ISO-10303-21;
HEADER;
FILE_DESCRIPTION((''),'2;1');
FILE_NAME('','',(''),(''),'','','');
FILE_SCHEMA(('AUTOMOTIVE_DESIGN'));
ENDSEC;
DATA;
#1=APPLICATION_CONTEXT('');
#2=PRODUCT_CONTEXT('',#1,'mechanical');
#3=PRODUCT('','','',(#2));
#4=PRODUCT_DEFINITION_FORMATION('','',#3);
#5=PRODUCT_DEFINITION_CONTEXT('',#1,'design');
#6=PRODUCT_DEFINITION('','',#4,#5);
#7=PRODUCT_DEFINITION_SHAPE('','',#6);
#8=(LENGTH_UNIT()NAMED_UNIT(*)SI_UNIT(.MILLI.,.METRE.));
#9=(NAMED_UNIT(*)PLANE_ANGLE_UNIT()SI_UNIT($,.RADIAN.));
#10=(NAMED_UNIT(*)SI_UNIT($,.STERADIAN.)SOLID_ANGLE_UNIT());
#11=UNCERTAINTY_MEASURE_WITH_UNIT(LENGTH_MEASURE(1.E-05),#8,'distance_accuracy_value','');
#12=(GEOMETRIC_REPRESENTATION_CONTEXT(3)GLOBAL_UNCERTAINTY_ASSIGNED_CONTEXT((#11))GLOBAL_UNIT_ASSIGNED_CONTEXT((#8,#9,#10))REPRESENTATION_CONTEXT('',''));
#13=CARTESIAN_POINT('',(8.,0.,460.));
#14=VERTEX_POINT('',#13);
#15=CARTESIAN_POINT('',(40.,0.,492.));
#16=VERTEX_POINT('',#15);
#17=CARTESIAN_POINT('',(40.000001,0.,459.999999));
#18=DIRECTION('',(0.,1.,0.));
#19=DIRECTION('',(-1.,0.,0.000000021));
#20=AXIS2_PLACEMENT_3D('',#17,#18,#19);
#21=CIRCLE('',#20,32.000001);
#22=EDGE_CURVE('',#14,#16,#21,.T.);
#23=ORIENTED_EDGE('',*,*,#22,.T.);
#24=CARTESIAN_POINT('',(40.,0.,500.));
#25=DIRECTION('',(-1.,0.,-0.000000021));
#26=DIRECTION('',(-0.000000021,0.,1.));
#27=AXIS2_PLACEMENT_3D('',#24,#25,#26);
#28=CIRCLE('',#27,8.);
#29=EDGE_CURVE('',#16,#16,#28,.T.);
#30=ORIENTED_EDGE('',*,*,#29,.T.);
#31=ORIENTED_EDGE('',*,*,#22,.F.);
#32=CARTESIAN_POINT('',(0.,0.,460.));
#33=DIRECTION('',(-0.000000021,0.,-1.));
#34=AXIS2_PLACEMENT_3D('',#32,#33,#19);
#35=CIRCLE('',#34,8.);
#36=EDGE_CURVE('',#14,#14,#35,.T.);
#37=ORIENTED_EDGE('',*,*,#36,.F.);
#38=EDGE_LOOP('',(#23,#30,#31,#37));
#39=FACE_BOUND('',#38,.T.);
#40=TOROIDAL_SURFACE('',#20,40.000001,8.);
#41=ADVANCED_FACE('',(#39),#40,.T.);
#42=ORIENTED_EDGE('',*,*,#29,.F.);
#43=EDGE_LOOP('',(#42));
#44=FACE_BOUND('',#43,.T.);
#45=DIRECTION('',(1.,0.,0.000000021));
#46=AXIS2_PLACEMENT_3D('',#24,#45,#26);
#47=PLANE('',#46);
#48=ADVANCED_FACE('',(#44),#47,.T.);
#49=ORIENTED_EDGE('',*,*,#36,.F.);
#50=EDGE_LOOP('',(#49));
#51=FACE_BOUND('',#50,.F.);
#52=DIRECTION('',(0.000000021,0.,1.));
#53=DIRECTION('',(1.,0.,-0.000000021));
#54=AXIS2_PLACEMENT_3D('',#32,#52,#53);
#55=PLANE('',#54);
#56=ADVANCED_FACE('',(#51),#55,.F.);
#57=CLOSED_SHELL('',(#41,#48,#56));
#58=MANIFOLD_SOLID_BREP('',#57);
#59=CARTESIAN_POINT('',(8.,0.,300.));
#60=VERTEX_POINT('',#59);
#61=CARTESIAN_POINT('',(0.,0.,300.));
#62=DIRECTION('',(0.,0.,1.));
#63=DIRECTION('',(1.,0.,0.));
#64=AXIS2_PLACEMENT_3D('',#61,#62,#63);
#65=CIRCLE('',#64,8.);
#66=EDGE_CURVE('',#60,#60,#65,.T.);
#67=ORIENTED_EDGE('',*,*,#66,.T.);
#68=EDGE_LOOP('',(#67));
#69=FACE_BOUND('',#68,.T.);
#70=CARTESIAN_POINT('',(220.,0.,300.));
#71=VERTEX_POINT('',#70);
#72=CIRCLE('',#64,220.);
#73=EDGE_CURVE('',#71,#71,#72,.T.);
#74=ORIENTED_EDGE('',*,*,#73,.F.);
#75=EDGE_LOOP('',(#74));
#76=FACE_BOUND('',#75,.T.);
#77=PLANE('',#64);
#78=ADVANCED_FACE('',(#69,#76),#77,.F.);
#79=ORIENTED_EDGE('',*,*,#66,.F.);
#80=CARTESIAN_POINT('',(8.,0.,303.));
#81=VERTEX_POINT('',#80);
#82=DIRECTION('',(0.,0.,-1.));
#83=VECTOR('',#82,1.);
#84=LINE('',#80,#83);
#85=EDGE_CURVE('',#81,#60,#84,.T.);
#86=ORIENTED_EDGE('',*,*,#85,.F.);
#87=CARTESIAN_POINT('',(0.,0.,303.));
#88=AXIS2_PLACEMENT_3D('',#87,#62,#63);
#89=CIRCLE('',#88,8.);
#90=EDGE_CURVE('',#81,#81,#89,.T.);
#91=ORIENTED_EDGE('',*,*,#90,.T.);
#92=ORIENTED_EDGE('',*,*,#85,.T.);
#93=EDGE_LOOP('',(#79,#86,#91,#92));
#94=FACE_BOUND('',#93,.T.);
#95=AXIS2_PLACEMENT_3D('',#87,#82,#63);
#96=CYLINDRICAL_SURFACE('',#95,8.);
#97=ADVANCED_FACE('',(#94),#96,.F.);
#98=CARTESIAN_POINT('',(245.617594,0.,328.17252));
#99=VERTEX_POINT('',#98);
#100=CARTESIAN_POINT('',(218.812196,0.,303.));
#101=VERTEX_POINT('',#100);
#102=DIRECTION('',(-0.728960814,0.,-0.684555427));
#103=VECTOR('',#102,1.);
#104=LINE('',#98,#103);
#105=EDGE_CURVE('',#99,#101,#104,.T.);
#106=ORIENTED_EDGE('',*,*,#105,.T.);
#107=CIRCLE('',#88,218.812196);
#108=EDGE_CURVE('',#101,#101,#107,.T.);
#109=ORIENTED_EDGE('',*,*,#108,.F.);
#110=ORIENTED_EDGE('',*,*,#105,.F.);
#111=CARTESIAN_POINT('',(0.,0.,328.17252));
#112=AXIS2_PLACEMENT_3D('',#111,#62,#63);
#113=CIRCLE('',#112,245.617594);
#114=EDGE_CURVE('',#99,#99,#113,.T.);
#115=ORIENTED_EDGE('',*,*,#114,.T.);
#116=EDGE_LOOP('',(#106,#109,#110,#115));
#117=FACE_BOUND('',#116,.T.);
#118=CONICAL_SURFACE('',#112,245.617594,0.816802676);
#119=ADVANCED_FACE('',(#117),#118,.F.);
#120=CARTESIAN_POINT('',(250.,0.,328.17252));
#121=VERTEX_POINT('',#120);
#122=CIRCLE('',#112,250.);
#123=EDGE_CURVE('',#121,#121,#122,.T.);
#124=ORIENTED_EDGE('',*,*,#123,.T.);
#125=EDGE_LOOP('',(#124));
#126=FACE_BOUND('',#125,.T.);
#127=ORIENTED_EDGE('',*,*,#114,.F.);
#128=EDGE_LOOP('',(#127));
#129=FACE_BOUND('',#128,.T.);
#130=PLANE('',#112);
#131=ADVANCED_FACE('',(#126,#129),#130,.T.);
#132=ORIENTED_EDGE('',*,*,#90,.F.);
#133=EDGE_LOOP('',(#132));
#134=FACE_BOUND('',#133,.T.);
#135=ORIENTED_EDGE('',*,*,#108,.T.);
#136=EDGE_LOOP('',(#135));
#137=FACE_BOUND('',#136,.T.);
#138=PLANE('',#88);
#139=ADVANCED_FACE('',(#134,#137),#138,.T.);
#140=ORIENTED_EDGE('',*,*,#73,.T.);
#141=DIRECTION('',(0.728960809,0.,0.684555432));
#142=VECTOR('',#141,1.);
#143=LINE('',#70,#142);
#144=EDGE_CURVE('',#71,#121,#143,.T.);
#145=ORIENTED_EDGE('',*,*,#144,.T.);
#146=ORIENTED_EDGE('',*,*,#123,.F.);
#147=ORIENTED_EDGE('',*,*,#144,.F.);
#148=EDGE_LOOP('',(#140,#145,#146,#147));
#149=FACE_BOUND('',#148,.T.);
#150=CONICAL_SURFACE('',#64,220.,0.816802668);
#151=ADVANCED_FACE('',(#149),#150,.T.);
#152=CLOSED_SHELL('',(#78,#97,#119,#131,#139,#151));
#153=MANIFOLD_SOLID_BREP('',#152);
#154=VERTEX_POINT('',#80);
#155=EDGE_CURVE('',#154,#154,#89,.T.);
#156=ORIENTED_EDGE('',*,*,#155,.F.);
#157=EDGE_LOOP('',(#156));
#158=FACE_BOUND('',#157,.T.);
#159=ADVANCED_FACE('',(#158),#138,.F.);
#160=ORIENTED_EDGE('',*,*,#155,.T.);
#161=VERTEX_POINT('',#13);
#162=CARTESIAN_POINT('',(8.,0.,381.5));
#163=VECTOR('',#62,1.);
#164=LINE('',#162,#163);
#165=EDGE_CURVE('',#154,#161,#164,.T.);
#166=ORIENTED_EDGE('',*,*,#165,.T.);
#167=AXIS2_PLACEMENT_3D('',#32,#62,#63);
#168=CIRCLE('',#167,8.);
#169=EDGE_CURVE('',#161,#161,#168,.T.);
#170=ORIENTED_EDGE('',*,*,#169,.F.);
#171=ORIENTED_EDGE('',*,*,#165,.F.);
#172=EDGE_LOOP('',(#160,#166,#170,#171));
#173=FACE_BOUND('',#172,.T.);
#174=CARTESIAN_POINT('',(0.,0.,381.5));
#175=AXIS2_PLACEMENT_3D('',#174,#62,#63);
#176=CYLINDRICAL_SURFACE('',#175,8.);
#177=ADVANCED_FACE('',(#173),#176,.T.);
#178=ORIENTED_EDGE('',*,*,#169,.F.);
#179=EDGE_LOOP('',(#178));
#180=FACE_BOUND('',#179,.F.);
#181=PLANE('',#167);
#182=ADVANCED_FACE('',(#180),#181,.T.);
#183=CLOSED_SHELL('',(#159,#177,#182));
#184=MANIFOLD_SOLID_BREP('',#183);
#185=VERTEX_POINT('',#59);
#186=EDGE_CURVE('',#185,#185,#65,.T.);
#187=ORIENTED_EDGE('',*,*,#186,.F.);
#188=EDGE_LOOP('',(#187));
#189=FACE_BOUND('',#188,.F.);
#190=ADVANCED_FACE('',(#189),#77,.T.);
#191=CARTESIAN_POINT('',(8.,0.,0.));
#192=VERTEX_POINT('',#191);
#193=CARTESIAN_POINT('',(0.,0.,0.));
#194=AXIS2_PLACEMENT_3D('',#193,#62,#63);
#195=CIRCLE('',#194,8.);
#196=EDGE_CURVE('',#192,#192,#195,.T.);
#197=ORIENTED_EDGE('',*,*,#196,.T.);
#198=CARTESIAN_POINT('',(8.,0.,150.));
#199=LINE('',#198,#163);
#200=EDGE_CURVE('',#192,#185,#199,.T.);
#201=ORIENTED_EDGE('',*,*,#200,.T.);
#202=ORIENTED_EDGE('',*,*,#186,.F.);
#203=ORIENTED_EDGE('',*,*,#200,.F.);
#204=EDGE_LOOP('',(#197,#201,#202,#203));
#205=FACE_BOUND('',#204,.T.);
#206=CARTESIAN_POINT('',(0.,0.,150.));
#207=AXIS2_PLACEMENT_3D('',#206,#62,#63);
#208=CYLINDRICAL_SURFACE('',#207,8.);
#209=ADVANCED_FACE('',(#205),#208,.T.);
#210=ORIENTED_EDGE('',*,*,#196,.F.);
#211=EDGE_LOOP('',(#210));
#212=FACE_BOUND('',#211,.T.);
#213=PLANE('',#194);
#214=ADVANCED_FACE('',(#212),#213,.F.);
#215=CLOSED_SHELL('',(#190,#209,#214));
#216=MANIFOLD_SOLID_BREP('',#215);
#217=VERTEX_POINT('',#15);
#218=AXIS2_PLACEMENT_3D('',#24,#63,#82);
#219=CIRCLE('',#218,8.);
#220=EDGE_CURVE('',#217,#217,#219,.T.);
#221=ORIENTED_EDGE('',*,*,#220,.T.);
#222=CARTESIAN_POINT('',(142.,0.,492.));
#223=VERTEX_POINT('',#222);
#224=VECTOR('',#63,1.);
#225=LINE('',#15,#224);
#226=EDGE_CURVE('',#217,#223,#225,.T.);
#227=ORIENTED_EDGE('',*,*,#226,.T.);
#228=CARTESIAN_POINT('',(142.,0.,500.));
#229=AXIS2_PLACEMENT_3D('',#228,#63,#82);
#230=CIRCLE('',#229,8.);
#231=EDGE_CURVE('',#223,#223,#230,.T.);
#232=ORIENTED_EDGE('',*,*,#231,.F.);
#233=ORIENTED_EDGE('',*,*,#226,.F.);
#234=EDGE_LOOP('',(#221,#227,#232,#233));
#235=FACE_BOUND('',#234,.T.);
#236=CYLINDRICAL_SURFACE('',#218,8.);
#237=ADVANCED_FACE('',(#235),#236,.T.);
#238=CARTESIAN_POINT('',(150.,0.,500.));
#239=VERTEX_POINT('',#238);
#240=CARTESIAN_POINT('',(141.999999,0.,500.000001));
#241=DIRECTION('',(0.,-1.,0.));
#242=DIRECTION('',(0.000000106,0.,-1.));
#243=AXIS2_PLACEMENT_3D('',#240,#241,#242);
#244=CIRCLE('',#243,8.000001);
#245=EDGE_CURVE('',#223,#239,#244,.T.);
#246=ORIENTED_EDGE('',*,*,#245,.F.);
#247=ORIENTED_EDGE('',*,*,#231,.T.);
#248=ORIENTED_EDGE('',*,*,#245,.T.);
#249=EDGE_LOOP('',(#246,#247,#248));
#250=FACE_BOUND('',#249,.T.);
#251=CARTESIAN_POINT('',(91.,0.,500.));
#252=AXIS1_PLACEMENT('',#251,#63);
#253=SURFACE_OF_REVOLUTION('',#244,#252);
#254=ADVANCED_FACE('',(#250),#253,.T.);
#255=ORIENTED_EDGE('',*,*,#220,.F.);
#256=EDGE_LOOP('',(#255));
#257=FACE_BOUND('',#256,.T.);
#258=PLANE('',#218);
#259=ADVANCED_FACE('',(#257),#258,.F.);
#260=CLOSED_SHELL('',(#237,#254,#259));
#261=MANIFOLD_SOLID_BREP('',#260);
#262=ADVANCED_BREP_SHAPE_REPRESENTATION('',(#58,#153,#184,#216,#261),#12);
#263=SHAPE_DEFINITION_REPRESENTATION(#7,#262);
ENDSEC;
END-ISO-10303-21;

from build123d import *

# Parameters (mm, degrees)
F0_W      = 8
F0_H      = 157
F0_H_2    = 300
F2_FACE_R = 8


with BuildPart() as f1:
    # F0 (on Front) → F1 (revolve)
    with BuildSketch(Plane.XZ):
        Polygon((8, 303), (8, 300), (220, 300), (250, 328.17252), (245.617594, 328.17252), (218.812196, 303), align=None)
    revolve(axis=Axis((0, 0, 230), (0, 0, 1)))


with BuildPart() as f2:
    # F0 (on Front) → F2 (revolve)
    with BuildSketch(Plane.XZ):
        with Locations((4, 381.5)):
            Rectangle(F0_W, F0_H)
    revolve(axis=Axis((0, 0, 230), (0, 0, 1)))


with BuildPart() as f3:
    # F0 (on Front) → F3 (revolve)
    with BuildSketch(Plane.XZ):
        with BuildLine():
            Line((142, 500), (40, 500))
            Line((40, 500), (40, 492))
            Line((40, 492), (142, 492))
            ThreePointArc((142, 492), (147.656854, 494.343146), (150, 500))
            Line((150, 500), (142, 500))
        make_face()
    revolve(axis=Axis((91, 0, 500), (1, 0, 0)))


with BuildPart() as f4:
    # F0 (on Front) → F4 (revolve)
    with BuildSketch(Plane.XZ):
        with Locations((4, 150)):
            Rectangle(F0_W, F0_H_2)
    revolve(axis=Axis((0, 0, 230), (0, 0, 1)))


with BuildPart() as f5:
    # F5: sweep along a path in F0
    with BuildLine(Plane.XZ) as f5_path:
        ThreePointArc((0, 460), (11.715729, 488.284271), (40, 500))
    # F2_face (on face) → F5 (sweep)
    with BuildSketch(Plane.XY.offset(460)):
        Circle(F2_FACE_R)
    sweep(path=f5_path.line)


solid = Compound([f1.part, f2.part, f3.part, f4.part, f5.part])
